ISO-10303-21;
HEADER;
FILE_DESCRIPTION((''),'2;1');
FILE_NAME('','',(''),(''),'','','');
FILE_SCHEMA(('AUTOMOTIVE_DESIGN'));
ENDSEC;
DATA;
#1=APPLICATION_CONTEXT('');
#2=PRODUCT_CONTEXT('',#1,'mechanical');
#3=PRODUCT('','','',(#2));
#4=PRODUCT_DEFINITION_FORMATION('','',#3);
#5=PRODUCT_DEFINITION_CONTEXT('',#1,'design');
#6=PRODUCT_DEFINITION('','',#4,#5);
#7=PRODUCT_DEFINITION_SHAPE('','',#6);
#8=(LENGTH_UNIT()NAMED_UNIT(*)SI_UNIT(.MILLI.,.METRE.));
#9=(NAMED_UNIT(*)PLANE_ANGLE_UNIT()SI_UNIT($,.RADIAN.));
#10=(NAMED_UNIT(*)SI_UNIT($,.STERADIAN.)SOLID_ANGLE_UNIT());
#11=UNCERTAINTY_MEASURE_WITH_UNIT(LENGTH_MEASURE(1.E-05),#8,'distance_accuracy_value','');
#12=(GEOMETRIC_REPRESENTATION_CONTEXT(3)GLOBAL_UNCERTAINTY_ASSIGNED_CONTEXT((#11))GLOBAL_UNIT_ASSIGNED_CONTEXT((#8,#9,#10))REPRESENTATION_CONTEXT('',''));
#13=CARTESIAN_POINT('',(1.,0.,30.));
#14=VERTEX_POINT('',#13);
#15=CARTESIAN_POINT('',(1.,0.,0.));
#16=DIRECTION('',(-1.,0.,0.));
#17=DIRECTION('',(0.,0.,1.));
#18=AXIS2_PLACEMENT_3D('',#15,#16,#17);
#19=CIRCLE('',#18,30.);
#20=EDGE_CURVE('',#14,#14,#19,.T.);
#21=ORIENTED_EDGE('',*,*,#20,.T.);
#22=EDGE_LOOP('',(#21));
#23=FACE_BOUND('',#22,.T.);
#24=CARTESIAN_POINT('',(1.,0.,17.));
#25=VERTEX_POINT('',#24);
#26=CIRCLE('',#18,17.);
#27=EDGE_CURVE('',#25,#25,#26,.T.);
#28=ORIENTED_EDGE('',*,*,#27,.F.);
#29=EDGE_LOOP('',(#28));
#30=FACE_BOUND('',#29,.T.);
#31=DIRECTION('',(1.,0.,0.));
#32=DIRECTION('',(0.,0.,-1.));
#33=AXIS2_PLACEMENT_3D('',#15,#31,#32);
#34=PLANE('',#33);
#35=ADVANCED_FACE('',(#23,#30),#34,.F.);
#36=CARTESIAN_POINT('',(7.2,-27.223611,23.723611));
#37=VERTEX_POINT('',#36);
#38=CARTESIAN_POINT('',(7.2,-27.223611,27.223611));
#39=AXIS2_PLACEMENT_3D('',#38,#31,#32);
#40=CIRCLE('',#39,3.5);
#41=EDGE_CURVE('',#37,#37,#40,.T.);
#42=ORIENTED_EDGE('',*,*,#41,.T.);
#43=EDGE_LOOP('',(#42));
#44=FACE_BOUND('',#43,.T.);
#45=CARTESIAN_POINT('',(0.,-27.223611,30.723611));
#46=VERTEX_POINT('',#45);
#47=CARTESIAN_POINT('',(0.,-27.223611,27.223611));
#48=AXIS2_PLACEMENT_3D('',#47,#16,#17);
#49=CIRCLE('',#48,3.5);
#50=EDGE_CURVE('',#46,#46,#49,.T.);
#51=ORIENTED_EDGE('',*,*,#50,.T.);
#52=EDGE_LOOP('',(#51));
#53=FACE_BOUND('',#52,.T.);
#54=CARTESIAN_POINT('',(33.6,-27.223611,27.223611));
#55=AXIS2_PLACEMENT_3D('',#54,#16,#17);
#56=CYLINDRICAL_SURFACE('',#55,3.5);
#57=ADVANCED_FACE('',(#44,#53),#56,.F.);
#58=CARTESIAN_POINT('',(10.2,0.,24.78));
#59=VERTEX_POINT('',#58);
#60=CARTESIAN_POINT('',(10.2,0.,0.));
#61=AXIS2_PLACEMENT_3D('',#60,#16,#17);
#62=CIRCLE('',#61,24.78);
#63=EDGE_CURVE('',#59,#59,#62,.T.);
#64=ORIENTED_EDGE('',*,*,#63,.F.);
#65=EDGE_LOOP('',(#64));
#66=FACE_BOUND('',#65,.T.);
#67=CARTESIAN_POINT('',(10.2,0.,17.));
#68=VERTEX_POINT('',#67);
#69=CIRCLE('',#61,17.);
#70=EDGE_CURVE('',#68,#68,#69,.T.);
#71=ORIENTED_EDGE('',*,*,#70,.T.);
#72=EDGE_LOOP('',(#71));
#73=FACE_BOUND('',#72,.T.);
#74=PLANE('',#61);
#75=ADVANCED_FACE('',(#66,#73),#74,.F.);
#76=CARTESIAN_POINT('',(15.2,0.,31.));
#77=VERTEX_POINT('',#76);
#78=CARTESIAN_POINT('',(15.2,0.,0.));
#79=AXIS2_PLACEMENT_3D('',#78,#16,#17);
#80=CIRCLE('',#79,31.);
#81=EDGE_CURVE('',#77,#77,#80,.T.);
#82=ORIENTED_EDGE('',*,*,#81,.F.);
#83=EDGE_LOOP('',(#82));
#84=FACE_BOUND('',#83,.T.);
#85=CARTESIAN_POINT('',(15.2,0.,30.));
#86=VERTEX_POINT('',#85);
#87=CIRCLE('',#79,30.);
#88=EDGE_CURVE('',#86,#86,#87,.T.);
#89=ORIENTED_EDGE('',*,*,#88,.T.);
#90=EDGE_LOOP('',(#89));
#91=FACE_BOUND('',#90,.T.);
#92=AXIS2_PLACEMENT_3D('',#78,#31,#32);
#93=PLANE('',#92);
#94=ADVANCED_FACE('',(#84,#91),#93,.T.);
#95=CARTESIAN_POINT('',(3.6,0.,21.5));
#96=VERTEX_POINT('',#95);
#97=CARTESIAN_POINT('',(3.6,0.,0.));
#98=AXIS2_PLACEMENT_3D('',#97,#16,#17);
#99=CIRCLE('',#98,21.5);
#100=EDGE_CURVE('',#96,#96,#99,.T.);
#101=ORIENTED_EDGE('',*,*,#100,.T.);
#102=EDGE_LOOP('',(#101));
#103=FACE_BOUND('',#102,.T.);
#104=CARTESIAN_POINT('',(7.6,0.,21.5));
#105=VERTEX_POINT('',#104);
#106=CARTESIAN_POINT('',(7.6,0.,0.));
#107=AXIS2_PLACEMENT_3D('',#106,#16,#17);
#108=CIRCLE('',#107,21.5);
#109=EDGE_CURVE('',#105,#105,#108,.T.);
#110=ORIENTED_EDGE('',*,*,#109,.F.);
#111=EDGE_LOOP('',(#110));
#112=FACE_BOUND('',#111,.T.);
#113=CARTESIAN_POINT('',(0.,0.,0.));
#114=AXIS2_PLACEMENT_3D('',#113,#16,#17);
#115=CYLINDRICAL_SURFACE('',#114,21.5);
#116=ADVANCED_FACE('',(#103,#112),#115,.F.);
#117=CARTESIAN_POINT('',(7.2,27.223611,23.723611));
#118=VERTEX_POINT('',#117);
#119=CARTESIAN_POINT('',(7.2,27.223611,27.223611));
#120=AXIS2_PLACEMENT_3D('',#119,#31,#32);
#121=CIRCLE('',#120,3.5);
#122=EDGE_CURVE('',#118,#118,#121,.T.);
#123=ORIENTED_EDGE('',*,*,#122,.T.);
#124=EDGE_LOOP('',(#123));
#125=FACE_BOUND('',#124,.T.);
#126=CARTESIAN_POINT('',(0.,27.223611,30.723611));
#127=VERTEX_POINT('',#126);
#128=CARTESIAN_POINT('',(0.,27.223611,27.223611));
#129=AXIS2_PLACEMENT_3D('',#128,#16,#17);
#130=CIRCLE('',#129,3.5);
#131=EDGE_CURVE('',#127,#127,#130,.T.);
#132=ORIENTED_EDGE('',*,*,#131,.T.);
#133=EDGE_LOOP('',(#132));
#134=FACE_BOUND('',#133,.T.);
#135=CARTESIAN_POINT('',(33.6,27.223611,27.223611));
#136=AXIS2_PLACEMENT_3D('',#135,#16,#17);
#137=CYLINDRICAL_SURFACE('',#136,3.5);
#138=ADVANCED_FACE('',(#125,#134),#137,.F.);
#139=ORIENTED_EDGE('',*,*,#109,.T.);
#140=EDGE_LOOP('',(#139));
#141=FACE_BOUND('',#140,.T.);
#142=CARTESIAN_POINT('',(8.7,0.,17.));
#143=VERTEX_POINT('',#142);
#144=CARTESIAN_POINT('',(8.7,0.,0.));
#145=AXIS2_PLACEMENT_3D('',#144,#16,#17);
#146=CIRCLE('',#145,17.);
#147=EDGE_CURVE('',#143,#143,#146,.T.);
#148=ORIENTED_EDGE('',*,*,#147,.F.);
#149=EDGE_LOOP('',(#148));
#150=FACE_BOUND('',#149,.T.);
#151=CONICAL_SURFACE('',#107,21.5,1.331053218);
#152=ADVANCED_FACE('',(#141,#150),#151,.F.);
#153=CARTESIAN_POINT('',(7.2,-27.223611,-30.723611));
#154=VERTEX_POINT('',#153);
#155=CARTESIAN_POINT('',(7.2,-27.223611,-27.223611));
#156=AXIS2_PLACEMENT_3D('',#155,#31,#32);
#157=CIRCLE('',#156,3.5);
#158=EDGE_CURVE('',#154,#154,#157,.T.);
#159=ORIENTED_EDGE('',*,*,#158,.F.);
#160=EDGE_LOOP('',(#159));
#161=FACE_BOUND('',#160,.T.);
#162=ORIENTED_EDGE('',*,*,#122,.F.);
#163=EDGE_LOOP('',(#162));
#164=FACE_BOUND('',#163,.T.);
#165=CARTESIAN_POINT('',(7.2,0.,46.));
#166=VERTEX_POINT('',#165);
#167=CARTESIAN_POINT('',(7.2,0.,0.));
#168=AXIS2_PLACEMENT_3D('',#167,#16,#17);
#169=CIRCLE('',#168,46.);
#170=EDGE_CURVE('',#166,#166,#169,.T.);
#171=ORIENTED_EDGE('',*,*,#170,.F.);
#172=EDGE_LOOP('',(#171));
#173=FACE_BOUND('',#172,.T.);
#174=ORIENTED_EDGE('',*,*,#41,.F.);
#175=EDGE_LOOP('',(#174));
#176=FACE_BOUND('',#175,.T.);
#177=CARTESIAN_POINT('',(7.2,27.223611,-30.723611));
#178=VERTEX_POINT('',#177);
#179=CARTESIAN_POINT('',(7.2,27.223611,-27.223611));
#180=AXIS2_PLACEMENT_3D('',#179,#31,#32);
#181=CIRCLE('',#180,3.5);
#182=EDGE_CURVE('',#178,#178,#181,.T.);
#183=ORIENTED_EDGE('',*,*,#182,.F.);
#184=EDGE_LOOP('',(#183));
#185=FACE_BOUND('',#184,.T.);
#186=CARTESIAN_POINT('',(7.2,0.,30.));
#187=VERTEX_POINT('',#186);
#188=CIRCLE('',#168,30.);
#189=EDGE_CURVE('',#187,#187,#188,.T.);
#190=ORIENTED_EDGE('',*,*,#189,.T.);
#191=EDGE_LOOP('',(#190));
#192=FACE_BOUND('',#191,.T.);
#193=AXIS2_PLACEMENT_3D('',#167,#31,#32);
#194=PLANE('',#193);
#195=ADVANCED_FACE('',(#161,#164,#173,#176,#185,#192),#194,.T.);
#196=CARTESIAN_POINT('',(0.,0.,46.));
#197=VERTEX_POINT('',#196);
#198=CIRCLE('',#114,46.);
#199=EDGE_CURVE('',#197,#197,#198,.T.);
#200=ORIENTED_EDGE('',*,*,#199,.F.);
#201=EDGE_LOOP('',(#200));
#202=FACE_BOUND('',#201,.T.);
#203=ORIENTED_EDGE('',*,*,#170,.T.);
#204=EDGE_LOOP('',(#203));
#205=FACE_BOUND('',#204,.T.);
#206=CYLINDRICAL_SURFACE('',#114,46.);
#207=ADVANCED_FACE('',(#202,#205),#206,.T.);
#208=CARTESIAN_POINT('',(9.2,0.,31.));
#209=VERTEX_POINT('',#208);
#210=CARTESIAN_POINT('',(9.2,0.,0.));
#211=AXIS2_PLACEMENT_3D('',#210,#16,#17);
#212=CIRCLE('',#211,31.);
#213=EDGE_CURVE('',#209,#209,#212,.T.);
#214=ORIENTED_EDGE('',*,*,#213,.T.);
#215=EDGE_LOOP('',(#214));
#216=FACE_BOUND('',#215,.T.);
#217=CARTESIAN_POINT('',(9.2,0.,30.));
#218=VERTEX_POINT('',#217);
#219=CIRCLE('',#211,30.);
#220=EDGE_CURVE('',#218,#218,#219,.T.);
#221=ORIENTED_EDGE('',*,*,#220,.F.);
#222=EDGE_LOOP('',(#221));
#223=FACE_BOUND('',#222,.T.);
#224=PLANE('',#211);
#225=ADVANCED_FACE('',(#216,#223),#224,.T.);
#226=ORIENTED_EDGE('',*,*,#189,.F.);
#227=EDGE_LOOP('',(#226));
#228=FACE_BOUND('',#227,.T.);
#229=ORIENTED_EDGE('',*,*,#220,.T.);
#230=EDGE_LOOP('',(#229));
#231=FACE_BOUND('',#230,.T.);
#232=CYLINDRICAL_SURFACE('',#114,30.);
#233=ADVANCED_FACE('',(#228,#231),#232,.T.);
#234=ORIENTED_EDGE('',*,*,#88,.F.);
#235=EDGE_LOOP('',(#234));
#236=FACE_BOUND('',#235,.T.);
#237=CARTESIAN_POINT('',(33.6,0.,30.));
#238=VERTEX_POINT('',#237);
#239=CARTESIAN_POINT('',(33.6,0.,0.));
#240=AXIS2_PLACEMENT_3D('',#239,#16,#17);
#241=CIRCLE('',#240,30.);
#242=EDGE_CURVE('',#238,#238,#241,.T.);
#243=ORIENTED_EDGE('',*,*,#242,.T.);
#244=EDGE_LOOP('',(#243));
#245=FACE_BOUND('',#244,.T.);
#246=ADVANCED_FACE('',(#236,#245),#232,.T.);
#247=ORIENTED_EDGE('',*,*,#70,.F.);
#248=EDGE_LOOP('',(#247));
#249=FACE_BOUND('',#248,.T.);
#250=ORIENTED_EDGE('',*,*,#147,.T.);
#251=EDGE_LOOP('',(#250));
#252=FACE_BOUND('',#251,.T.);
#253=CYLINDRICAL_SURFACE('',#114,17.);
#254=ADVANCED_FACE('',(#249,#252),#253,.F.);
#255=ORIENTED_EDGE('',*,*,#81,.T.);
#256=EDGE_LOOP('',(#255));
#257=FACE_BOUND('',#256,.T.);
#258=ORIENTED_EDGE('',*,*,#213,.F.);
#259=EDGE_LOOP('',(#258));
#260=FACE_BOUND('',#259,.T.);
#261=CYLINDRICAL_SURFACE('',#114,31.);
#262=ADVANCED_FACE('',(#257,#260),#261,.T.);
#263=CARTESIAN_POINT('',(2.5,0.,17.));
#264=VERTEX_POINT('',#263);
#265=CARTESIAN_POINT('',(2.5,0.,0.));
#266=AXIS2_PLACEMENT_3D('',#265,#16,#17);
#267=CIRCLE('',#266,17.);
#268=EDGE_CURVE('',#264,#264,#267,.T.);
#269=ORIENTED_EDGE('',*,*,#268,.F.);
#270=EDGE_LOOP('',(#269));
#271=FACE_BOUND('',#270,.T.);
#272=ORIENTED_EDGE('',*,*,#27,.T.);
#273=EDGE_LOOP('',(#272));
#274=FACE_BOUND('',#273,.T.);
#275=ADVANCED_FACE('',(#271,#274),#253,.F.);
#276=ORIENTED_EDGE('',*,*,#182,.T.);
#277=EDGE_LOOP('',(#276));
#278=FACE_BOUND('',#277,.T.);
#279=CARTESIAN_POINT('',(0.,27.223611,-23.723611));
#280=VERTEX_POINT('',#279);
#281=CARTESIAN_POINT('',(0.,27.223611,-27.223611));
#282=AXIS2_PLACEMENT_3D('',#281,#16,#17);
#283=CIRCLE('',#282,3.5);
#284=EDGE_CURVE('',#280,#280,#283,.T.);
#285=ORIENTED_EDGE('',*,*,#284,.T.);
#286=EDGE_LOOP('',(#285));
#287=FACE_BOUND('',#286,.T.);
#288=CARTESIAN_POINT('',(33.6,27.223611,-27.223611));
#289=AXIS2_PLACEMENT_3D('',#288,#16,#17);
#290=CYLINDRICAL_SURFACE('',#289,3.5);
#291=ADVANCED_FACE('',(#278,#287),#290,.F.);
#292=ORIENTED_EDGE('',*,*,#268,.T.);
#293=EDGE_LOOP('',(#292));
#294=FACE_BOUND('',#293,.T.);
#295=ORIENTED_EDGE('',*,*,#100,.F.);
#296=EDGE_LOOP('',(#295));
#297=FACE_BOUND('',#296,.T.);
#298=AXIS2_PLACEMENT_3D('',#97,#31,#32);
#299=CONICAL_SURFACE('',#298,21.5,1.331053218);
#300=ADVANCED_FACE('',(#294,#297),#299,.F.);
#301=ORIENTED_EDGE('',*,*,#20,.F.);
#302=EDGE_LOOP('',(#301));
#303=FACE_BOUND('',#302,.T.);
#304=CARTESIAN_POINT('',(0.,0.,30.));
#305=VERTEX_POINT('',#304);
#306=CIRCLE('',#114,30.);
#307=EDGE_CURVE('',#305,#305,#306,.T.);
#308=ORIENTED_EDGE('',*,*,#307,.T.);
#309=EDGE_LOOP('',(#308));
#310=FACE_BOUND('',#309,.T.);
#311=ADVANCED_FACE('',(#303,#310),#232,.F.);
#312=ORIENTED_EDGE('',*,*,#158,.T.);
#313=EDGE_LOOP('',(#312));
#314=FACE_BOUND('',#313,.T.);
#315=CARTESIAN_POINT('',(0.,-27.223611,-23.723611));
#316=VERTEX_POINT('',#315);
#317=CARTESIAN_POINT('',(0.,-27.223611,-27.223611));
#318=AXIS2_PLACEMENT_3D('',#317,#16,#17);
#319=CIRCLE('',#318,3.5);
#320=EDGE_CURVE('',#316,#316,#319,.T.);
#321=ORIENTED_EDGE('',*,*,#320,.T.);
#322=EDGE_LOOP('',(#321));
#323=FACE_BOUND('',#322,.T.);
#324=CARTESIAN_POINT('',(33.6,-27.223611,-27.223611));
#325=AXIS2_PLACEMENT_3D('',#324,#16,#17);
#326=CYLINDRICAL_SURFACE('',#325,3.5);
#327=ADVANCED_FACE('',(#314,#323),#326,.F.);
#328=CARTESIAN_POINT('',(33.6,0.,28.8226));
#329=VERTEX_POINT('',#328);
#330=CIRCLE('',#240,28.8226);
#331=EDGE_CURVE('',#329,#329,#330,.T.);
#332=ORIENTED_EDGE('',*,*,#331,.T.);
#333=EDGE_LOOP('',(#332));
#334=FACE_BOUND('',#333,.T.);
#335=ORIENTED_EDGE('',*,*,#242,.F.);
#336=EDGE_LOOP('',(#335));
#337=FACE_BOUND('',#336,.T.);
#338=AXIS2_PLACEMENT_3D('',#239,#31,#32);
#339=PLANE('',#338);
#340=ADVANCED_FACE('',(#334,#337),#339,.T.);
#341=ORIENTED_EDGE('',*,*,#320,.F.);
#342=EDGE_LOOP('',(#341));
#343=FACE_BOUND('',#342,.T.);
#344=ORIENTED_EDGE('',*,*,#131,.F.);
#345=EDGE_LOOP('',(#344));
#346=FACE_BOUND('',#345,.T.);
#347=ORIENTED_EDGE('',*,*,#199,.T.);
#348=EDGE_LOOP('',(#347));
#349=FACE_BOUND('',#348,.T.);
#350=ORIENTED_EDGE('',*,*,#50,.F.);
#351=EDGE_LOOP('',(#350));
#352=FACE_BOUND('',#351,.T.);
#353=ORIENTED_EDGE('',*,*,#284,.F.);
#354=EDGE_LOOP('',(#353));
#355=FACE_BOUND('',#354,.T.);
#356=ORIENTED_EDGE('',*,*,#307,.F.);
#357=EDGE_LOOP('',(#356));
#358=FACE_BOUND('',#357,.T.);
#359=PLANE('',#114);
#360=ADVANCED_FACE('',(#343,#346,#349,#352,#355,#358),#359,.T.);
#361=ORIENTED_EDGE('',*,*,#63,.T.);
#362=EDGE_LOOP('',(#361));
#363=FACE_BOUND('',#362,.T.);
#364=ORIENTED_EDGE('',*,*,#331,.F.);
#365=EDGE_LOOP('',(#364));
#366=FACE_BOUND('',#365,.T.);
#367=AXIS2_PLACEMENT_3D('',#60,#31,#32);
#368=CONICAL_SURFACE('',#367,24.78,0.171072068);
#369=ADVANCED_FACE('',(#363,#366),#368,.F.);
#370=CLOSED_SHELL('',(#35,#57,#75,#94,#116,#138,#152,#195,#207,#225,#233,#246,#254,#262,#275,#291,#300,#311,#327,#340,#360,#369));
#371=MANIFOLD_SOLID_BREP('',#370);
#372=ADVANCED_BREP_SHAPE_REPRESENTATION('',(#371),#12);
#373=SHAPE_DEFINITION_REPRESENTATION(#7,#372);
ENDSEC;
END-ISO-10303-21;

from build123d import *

# Parameters (mm, degrees)
SKETCH_2_R          = 3.5
CUT_EXTRUDE_1_DEPTH = 74.218576878


with BuildPart() as part:
    # 草图1 → 旋转1 (revolve)
    with BuildSketch(Plane.XY, mode=Mode.PRIVATE) as revolve_1_sk:
        Polygon((3.6, 21.5), (2.5, 17), (1, 17), (1, 30), (0, 30), (0, 46), (7.2, 46), (7.2, 30), (9.2, 30), (9.2, 31), (15.2, 31), (15.2, 30), (33.6, 30), (33.6, 28.8226), (10.2, 24.78), (10.2, 17), (8.7, 17), (7.6, 21.5), align=None)
    revolve(revolve_1_sk.sketch.rotate(Axis((0, 0, 0), (1, 0, 0)), 90), axis=Axis((0, 0, 0), (1, 0, 0)))

    # 草图2 → 切除-拉伸1 (cut, through all)
    with BuildSketch(Plane.ZY):
        with Locations((-27.223611076, 27.223611076)):
            Circle(SKETCH_2_R)
        with Locations((27.223611076, 27.223611076)):
            Circle(SKETCH_2_R)
        with Locations((-27.223611076, -27.223611076)):
            Circle(SKETCH_2_R)
        with Locations((27.223611076, -27.223611076)):
            Circle(SKETCH_2_R)
    extrude(amount=-CUT_EXTRUDE_1_DEPTH, mode=Mode.SUBTRACT)


solid = part.part
